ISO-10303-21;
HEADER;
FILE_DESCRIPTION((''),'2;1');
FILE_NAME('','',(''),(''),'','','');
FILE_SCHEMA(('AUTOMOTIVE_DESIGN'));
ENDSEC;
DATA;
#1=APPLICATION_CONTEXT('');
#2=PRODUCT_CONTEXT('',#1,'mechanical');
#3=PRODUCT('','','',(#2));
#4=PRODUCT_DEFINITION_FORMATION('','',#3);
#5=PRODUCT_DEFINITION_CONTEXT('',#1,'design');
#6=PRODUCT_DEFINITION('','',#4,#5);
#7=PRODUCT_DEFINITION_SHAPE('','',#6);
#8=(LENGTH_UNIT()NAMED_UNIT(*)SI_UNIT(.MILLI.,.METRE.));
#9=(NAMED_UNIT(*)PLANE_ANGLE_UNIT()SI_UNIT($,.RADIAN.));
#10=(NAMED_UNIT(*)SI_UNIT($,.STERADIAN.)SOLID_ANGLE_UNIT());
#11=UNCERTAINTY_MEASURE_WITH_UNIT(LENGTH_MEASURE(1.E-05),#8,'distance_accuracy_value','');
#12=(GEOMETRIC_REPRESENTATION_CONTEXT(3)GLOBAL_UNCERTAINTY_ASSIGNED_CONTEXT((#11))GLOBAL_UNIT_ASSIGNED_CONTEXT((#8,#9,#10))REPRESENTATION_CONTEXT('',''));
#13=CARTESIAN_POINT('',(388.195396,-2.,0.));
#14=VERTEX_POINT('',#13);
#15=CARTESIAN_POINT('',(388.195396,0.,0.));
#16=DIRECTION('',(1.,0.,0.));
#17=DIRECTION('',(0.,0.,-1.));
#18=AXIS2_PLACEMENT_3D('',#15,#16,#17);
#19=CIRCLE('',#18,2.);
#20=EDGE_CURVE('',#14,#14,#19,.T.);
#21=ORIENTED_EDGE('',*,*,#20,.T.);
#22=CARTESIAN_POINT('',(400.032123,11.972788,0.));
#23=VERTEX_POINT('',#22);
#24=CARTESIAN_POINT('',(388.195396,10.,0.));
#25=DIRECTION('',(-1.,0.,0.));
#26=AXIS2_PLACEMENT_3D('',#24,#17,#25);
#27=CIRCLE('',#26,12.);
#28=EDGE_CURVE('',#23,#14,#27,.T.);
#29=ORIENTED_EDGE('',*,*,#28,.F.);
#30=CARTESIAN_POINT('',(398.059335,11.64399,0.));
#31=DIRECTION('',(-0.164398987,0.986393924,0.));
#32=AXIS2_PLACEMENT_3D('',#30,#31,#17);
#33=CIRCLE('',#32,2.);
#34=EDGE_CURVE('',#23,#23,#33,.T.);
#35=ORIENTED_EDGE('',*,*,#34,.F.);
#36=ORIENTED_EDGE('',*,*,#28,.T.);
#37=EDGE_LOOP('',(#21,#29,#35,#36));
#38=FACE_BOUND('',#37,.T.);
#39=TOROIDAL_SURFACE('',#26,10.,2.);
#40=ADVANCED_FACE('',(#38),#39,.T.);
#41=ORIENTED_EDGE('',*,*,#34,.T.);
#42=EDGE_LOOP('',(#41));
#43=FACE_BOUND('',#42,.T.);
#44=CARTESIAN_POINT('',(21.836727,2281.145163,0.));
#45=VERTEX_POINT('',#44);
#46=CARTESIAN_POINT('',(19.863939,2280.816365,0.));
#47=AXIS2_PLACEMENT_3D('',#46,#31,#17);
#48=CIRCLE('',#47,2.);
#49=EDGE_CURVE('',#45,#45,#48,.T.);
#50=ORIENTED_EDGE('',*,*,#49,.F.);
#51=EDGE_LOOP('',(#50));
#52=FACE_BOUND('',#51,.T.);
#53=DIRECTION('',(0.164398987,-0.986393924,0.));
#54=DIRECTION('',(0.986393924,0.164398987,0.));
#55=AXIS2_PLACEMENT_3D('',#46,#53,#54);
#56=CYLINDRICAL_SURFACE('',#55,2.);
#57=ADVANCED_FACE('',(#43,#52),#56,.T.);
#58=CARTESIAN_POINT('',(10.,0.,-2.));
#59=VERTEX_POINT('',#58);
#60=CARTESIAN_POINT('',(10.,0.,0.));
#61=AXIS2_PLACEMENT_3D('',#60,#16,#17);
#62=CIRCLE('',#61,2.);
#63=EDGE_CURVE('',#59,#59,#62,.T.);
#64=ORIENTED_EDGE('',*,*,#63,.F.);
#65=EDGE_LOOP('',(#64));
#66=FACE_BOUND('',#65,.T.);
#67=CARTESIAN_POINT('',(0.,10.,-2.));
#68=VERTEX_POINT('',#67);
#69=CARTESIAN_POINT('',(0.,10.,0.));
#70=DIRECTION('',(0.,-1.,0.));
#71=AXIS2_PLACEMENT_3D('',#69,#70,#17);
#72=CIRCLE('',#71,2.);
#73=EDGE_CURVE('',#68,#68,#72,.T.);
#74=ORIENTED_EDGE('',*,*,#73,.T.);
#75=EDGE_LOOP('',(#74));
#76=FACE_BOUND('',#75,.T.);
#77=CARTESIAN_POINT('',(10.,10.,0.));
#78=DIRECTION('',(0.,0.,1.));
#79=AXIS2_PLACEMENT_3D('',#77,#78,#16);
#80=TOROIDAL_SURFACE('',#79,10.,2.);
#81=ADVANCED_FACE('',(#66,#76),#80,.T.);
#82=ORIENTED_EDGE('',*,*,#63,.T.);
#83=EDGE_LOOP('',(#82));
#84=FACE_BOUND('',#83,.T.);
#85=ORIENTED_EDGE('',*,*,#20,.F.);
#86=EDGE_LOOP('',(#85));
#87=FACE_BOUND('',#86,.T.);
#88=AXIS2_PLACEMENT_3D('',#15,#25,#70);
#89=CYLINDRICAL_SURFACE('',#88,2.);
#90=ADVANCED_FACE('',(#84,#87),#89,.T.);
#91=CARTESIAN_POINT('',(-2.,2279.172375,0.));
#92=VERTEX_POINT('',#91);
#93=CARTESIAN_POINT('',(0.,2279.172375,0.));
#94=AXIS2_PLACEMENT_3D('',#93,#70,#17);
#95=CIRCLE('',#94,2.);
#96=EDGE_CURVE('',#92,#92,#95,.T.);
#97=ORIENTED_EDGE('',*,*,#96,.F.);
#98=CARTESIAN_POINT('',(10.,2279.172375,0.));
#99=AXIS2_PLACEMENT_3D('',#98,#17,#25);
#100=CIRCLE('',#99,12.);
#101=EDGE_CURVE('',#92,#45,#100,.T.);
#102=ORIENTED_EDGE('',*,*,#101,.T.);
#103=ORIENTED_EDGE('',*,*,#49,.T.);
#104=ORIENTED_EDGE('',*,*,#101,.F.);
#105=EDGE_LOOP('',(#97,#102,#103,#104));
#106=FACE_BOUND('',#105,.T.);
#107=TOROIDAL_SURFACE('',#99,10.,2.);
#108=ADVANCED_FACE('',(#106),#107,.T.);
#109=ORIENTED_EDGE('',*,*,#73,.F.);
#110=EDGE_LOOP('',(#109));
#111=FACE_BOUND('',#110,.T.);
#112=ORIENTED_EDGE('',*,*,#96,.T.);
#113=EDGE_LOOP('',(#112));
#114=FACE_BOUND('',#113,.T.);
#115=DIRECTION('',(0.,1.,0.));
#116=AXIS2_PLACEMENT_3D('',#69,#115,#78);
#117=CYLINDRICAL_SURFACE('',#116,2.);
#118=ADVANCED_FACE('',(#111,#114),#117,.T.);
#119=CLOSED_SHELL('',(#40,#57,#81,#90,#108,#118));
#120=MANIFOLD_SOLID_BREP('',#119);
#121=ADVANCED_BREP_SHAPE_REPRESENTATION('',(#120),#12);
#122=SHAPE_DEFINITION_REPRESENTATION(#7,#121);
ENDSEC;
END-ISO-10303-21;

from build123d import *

# Parameters (mm, degrees)
CROQUIS2_R = 2


with BuildPart() as part:
    # Barrer1: sweep along a path in Croquis1
    with BuildLine(Plane.XY) as barrer1_path:
        Line((0, 10), (0, 2279.172374697))
        ThreePointArc((0, 2279.172374697), (9.175194685, 2289.138301457), (19.863939238, 2280.81636457))
        Line((19.863939238, 2280.81636457), (398.059335021, 11.643989873))
        ThreePointArc((398.059335021, 11.643989873), (395.825595608, 3.536251039), (388.195395783, 0))
        Line((388.195395783, 0), (10, 0))
        ThreePointArc((10, 0), (2.928932188, 2.928932188), (0, 10))
    # Croquis2 → Barrer1 (sweep)
    with BuildSketch(Plane(origin=(10, 0, 0), x_dir=(0, 0, -1), z_dir=(1, 0, 0))):
        Circle(CROQUIS2_R)
    sweep(path=barrer1_path.line)


solid = part.part
